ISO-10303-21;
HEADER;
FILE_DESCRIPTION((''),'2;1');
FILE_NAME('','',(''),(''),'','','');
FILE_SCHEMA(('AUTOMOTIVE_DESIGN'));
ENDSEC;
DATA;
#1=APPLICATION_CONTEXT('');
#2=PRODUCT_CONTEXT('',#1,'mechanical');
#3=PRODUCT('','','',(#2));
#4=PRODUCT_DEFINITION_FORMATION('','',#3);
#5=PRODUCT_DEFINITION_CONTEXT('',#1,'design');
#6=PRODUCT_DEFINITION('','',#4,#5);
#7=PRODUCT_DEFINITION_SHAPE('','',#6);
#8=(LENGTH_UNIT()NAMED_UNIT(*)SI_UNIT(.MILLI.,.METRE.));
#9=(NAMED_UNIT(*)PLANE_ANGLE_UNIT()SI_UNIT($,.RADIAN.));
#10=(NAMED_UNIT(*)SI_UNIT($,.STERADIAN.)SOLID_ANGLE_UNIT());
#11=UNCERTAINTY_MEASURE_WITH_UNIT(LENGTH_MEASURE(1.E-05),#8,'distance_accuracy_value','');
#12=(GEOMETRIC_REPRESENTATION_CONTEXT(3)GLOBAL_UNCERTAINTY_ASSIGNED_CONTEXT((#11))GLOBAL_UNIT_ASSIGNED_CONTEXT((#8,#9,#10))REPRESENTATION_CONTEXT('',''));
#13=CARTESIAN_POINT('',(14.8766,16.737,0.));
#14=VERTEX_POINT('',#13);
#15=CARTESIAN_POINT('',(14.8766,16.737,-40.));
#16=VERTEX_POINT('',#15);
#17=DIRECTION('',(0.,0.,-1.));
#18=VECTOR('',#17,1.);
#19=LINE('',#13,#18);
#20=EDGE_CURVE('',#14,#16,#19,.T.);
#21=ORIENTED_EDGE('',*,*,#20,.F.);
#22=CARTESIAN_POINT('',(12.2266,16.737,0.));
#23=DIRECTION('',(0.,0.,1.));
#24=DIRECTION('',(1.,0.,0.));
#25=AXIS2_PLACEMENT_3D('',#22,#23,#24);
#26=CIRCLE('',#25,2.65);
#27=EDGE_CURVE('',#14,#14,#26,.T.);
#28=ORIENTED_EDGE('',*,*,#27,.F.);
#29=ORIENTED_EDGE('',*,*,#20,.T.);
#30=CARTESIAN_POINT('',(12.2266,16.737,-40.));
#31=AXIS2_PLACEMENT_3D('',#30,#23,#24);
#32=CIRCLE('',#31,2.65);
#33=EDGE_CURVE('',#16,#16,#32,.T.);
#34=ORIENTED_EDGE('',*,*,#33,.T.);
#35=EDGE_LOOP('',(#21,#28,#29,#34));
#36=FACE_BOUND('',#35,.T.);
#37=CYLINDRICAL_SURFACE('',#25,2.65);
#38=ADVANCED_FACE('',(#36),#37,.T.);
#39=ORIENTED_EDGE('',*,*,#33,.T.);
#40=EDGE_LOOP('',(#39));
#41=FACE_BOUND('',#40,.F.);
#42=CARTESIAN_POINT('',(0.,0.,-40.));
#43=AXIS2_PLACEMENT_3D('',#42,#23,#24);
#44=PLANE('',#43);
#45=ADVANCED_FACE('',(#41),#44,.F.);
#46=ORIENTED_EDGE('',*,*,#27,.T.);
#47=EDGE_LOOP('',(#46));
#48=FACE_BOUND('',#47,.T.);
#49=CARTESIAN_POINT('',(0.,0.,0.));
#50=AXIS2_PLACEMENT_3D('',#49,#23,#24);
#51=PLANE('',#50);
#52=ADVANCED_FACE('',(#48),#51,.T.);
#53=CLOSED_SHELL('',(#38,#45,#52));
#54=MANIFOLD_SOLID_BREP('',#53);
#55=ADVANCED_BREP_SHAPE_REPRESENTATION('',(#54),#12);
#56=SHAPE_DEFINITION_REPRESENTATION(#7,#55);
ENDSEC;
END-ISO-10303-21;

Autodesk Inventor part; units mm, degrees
ref_plane "YZ Plane" through (0, 0, 0) normal (1, 0, 0) x (0, 1, 0)
ref_plane "XZ Plane" through (0, 0, 0) normal (0, 1, 0) x (-1, 0, 0)
ref_plane "XY Plane" through (0, 0, 0) normal (0, 0, 1) x (1, 0, 0)
sketch "Sketch1" plane through (0, 0, 0) normal (0, 0, 1) x (1, 0, 0)
  circle A0 centre (12.2266, 16.737) radius 2.65
  point P0 (0, 0)
  dimension "d0" = 5.3
extrude "Extrusion1" add sketch "Sketch1" against normal blind 40
thread "Thread1" size "M5.5x0.5" class "6g" standard "ANSI Metric M Profile" length 43.6
properties part number "Mounting Belakang"
